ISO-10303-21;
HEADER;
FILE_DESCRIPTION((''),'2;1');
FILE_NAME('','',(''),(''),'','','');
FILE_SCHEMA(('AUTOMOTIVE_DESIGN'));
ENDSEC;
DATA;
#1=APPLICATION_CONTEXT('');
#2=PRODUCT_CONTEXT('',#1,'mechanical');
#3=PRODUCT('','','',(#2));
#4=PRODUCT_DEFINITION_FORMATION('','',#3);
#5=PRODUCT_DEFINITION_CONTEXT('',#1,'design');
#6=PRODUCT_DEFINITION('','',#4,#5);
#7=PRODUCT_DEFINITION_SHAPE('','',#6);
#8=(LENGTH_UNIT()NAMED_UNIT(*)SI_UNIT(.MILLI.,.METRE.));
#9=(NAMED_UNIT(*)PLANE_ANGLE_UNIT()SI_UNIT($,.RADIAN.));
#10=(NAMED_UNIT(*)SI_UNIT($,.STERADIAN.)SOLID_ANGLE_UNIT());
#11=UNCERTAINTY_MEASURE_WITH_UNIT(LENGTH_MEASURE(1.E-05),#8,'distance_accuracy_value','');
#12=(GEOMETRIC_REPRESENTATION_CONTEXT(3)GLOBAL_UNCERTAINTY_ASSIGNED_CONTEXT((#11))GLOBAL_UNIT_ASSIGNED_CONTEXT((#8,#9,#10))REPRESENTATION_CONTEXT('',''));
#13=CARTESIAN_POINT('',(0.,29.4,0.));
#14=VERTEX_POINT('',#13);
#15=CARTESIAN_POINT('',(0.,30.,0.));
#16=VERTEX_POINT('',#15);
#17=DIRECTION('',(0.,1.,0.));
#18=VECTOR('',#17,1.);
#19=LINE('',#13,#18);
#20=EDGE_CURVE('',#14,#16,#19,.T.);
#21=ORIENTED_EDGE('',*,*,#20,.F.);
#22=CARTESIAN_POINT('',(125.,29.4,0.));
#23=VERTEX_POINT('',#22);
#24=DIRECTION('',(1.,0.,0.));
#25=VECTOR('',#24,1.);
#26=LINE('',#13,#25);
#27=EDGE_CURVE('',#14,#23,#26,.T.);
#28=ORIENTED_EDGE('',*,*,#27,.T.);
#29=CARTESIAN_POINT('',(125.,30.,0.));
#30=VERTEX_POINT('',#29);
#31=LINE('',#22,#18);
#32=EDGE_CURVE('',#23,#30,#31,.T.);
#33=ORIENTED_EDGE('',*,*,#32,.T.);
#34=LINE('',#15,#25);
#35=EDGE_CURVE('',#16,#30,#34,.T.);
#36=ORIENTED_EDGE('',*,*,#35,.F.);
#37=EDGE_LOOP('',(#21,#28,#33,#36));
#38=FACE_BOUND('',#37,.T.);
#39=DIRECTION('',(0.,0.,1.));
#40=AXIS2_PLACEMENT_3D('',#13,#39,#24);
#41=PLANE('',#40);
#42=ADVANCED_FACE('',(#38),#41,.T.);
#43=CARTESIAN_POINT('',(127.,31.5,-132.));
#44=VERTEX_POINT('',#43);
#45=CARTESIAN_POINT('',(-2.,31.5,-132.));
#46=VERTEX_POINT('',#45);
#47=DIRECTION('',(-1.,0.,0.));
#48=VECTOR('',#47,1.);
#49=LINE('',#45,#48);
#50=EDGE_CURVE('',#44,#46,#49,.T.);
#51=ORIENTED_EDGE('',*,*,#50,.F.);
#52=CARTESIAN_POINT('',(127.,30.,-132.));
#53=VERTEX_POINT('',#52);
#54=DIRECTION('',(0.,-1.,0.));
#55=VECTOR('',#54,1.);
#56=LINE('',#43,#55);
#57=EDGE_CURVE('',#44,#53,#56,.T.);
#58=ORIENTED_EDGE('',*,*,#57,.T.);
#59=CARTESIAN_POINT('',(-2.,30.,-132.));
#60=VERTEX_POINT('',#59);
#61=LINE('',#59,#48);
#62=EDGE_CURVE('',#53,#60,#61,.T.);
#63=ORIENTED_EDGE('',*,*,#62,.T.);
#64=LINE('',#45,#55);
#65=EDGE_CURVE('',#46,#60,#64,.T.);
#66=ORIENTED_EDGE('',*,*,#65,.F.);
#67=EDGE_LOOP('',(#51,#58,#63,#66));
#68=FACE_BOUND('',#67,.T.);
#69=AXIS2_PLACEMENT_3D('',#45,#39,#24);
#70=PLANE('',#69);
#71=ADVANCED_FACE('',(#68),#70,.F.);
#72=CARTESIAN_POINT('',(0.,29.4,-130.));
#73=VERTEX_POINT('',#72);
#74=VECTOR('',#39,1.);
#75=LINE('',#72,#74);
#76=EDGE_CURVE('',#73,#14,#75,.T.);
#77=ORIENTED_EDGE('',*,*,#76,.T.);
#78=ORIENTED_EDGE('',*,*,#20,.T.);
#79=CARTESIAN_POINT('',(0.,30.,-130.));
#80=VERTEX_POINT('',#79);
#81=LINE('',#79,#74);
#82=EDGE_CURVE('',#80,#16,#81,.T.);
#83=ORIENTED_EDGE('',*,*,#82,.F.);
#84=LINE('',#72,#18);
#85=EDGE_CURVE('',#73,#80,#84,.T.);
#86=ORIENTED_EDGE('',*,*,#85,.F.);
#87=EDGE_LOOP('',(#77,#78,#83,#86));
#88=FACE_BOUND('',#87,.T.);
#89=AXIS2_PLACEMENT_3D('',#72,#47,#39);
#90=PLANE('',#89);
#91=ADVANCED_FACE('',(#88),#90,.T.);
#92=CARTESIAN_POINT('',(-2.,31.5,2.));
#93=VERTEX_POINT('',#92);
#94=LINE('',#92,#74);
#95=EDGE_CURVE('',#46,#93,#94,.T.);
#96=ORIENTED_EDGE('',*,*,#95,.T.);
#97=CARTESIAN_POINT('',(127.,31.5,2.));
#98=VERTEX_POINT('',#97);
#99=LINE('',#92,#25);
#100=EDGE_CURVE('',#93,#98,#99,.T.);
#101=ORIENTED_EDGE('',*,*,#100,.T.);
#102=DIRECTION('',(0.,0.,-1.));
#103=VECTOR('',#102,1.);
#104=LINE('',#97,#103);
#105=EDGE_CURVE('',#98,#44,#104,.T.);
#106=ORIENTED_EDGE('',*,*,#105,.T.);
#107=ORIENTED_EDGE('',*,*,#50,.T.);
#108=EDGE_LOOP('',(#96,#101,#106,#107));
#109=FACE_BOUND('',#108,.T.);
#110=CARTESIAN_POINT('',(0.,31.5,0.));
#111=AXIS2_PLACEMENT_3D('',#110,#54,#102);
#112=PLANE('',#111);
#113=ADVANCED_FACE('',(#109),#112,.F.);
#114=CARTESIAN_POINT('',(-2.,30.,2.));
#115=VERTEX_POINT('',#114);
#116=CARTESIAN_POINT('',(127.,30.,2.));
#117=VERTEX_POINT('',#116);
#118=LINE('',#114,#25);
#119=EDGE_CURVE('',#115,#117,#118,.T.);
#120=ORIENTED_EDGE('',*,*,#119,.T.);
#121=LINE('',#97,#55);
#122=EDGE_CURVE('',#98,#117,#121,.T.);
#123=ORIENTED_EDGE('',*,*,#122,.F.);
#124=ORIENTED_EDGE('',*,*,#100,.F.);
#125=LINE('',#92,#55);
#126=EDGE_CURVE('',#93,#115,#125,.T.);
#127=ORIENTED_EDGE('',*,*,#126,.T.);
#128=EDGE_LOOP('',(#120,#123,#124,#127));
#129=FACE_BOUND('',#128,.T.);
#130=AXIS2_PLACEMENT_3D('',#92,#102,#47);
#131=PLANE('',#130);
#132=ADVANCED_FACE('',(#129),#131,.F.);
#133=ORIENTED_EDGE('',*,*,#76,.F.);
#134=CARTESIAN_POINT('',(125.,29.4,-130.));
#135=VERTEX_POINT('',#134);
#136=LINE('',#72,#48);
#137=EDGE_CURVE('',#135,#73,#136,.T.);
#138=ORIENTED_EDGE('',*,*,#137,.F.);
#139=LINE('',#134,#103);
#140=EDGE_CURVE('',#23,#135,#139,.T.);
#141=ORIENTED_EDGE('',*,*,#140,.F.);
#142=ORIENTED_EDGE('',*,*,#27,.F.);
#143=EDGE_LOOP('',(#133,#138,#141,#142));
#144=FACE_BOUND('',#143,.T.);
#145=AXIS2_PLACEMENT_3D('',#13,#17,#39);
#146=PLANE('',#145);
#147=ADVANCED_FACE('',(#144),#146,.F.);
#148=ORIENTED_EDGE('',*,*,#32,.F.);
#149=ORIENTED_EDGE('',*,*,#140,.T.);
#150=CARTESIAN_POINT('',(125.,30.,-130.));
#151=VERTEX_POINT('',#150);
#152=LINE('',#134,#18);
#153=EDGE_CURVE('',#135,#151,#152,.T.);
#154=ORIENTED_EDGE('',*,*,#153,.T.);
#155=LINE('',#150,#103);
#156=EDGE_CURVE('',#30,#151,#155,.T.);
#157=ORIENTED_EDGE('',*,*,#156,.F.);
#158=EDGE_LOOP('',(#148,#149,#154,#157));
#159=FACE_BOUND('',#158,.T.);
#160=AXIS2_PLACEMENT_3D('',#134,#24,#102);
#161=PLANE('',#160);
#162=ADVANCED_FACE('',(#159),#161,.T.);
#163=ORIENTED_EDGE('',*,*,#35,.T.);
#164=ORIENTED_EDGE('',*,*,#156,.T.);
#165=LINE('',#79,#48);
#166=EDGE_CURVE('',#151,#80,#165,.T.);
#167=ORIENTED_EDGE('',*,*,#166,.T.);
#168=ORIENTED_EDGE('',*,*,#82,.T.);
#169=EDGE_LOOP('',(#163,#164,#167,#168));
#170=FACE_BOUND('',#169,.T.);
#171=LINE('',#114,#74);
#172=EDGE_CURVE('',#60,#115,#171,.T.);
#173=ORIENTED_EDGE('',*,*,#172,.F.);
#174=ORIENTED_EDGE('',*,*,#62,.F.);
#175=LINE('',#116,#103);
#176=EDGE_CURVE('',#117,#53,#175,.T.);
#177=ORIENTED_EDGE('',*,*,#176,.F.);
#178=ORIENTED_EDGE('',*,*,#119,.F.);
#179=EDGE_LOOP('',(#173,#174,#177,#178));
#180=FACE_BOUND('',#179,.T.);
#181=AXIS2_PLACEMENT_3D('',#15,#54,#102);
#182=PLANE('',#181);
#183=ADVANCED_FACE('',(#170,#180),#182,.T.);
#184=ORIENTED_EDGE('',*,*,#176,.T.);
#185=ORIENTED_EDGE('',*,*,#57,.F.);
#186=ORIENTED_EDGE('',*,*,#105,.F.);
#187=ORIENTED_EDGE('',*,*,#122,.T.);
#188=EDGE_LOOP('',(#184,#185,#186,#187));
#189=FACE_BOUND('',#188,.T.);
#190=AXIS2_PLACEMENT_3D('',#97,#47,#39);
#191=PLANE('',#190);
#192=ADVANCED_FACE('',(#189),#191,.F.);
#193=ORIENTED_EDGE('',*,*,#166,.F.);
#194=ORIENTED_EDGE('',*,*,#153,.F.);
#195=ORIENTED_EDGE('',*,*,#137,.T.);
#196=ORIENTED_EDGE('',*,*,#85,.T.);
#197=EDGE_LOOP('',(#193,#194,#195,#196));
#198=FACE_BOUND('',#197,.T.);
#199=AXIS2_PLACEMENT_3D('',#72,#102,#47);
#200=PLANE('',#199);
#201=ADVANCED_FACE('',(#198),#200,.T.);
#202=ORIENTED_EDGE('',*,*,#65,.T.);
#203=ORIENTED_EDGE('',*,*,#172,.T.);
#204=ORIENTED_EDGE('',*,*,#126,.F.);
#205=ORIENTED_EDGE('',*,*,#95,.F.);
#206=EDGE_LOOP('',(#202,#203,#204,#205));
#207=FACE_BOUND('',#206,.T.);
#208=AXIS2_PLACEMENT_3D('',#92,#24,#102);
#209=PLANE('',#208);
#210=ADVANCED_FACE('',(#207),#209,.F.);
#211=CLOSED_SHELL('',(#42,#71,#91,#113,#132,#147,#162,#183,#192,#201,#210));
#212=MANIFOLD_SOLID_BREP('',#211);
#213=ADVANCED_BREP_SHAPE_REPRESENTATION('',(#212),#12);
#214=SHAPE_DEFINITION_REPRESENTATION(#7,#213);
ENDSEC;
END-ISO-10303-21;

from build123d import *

# Parameters (mm, degrees)
SKETCH1_W           = 125
SKETCH1_H           = 130
BOSS_EXTRUDE1_DEPTH = 0.6
SKETCH2_W           = 129
SKETCH2_H           = 134
BOSS_EXTRUDE2_DEPTH = 1.5


with BuildPart() as part:
    # Sketch1 → Boss-Extrude1 (new body)
    with BuildSketch(Plane(origin=(0, 30, 0), x_dir=(1, 0, 0), z_dir=(0, 1, 0))):
        with Locations((62.5, 65)):
            Rectangle(SKETCH1_W, SKETCH1_H)
    extrude(amount=-BOSS_EXTRUDE1_DEPTH)

    # Sketch2 → Boss-Extrude2 (add)
    with BuildSketch(Plane(origin=(0, 30, 0), x_dir=(1, 0, 0), z_dir=(0, 1, 0))):
        with Locations((62.5, 65)):
            Rectangle(SKETCH2_W, SKETCH2_H)
    extrude(amount=BOSS_EXTRUDE2_DEPTH)


solid = part.part
